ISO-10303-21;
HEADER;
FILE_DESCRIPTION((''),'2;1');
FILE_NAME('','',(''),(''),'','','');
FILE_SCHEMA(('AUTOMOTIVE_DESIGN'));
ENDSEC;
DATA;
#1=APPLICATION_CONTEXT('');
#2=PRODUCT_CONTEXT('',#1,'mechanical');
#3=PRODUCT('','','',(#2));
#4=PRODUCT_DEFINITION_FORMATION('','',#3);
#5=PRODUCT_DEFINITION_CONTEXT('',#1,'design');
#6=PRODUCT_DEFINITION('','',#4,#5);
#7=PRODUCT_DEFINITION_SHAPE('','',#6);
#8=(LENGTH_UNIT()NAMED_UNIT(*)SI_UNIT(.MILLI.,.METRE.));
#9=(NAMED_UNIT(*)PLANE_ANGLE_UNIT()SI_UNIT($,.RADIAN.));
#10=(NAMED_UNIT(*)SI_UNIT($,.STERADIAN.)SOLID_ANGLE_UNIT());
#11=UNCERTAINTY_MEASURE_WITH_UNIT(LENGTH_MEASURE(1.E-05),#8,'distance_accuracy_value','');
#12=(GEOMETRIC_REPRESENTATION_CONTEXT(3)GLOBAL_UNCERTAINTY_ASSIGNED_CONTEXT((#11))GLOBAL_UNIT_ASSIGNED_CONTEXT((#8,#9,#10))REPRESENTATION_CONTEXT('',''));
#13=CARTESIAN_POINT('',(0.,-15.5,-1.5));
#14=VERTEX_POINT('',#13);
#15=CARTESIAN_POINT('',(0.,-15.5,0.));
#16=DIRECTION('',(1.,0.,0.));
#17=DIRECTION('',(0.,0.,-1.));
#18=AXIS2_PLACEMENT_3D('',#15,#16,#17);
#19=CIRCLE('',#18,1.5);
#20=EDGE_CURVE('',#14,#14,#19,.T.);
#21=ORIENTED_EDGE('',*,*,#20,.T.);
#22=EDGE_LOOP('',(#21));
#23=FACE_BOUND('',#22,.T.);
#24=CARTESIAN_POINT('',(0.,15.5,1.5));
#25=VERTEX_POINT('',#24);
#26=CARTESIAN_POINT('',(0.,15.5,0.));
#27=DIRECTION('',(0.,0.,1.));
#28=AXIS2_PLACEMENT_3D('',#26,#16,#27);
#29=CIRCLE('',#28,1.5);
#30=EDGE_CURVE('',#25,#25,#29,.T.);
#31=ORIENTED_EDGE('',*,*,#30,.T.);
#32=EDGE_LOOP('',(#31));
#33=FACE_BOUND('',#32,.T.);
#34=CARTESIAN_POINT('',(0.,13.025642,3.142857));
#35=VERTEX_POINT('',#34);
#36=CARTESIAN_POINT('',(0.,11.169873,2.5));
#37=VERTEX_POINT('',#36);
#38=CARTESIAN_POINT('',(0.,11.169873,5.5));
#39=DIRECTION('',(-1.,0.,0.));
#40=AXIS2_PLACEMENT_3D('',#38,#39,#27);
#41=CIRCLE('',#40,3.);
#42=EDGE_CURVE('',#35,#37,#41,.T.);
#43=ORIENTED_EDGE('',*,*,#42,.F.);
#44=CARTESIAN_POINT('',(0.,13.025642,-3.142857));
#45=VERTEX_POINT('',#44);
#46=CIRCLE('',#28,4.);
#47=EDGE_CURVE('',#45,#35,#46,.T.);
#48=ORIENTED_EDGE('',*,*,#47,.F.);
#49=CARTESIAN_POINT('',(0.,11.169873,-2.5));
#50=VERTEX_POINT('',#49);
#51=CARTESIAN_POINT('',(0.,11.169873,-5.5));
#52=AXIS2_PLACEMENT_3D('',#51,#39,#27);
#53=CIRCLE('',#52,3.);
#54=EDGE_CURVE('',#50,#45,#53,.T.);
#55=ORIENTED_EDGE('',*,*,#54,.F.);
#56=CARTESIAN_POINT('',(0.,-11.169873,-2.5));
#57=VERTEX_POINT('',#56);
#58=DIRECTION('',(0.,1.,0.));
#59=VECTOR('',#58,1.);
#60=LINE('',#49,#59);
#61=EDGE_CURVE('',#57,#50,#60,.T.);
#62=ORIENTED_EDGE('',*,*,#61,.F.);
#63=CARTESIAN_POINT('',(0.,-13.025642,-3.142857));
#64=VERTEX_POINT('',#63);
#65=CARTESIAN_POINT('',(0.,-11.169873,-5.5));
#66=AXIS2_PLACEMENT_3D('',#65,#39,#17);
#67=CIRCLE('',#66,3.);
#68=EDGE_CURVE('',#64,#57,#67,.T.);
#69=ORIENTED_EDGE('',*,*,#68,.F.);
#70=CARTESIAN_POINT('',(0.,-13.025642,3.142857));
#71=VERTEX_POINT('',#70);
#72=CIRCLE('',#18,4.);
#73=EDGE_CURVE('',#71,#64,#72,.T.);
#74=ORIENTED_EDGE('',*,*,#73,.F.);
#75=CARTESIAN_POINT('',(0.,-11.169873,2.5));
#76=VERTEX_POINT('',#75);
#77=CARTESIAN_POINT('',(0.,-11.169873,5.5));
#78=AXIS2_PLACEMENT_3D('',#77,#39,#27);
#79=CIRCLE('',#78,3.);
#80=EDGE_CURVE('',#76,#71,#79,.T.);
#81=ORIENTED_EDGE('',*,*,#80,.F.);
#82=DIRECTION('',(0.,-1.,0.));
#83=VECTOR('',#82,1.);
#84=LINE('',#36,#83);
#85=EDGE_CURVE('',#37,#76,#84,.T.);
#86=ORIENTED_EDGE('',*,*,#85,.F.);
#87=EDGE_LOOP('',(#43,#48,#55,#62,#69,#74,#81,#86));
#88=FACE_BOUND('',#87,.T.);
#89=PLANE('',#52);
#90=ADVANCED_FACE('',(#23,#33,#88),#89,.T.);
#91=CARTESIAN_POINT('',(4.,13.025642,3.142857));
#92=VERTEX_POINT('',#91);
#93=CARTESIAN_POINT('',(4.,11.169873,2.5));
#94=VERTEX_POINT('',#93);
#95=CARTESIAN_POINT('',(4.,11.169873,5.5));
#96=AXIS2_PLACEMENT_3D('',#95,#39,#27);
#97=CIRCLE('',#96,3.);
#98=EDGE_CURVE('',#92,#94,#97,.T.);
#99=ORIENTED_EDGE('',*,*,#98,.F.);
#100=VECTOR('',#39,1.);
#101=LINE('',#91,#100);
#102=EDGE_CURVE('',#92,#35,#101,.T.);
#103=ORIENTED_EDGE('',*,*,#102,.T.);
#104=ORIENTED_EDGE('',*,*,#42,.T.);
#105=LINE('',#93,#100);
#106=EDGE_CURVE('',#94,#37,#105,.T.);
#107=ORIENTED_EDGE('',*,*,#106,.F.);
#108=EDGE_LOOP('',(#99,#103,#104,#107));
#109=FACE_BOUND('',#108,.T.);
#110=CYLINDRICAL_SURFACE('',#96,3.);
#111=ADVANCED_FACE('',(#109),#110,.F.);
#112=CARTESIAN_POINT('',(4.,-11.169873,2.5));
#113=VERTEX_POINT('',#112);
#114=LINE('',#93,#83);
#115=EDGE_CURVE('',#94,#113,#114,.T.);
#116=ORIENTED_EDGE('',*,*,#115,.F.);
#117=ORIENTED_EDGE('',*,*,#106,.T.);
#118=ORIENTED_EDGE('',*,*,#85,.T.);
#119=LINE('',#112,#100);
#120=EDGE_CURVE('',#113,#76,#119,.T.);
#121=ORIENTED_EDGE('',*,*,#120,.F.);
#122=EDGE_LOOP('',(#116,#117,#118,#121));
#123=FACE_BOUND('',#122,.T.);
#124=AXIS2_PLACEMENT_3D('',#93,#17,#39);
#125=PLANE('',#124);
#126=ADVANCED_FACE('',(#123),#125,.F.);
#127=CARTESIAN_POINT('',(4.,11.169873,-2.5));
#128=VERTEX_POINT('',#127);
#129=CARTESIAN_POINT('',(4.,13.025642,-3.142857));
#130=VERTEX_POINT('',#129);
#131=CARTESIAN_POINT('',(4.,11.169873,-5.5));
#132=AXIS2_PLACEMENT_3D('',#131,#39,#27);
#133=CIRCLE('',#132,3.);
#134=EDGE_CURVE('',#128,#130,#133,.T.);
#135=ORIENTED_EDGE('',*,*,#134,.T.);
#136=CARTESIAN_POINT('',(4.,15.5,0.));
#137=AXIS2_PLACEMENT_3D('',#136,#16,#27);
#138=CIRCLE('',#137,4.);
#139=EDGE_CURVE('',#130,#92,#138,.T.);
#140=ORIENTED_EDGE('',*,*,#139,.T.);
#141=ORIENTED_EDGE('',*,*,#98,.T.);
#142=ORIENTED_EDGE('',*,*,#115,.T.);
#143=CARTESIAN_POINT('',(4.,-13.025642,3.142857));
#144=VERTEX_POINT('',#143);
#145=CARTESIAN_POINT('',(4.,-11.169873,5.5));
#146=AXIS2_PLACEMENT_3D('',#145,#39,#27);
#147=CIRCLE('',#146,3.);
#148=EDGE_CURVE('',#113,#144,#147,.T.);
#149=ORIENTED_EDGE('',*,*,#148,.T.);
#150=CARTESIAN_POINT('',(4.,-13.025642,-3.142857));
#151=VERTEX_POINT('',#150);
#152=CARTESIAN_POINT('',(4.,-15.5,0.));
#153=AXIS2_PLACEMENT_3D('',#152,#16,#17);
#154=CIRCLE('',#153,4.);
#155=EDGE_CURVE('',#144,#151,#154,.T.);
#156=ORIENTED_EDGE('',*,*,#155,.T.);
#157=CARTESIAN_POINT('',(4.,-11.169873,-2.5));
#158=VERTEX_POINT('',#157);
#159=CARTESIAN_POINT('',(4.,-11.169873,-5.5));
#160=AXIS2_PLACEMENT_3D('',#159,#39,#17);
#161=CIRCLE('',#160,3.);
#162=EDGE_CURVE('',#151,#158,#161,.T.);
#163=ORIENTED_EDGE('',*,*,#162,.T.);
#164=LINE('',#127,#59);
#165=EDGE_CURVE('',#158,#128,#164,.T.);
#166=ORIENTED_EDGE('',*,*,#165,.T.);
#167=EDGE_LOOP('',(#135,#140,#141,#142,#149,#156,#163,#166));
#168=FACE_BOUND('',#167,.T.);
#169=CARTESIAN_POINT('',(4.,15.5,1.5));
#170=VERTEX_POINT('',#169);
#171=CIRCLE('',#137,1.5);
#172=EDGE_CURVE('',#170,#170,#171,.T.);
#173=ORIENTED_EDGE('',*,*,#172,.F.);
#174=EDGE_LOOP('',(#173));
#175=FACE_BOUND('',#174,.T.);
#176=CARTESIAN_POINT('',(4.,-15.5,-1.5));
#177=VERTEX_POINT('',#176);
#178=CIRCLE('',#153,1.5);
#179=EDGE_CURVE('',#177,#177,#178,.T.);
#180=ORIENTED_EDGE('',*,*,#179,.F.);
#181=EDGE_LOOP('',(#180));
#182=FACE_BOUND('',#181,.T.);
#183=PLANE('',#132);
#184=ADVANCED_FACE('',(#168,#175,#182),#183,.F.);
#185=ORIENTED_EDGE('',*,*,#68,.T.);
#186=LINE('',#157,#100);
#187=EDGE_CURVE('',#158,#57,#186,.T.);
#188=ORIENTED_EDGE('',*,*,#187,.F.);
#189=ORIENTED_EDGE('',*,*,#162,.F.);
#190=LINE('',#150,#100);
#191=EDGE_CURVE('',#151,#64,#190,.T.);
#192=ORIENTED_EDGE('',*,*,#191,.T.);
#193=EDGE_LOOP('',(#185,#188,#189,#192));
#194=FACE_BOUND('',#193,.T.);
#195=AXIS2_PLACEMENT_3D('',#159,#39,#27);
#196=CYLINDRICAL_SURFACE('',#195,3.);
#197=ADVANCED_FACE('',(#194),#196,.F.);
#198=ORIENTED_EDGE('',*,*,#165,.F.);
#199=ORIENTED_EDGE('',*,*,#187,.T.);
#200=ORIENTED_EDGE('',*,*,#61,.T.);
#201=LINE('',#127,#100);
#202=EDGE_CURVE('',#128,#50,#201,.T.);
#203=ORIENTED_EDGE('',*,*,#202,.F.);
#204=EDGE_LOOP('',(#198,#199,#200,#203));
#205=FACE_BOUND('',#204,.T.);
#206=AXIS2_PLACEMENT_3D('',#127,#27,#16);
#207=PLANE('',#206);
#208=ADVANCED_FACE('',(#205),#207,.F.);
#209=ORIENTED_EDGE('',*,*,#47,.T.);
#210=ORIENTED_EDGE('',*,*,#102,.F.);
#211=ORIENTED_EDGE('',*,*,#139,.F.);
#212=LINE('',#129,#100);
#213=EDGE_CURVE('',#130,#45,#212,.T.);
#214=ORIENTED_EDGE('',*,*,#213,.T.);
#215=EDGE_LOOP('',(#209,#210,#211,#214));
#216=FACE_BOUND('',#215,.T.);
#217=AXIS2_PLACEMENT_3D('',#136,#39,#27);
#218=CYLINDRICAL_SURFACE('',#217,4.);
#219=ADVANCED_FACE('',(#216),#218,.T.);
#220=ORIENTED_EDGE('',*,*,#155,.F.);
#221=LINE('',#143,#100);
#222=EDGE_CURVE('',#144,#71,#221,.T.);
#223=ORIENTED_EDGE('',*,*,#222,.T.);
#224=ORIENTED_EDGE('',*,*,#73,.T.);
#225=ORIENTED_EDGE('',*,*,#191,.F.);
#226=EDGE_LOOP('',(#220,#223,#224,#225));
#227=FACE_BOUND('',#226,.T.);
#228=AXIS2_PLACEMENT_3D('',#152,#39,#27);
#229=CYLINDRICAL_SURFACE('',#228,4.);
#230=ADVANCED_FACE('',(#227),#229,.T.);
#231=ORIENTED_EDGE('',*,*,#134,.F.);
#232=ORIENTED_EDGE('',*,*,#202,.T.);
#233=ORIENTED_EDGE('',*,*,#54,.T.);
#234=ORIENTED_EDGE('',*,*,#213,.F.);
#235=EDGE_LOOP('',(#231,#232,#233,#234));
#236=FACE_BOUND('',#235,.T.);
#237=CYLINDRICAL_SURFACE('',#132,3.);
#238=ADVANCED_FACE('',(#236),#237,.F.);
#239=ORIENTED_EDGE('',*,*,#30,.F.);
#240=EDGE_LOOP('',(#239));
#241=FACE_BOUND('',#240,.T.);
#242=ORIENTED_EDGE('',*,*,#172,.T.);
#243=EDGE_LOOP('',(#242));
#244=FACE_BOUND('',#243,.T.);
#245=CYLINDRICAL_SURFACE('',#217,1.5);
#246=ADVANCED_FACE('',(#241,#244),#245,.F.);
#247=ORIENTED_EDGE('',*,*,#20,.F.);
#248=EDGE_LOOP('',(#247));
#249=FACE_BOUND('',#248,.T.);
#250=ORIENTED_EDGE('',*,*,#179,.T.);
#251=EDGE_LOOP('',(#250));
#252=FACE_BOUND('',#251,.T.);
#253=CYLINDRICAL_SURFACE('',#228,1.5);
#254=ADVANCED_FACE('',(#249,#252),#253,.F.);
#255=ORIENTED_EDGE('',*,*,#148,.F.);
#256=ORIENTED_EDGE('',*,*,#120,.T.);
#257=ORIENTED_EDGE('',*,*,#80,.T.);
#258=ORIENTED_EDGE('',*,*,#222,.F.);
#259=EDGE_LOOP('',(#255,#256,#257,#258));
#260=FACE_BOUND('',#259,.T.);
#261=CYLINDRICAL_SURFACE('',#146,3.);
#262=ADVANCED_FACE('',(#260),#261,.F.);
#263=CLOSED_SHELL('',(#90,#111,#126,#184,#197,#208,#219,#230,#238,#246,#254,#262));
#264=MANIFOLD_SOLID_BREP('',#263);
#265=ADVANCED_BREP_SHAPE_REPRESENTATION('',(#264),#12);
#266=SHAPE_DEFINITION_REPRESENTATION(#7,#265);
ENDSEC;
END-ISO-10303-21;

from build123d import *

# Parameters (mm, degrees)
SKETCH1_R           = 1.5
BOSS_EXTRUDE1_DEPTH = 4


with BuildPart() as part:
    # Sketch1 → Boss-Extrude1 (new body)
    with BuildSketch(Plane.YZ):
        with BuildLine():
            Line((11.169872981, -2.5), (-11.169872981, -2.5))
            ThreePointArc((-11.169872981, -2.5), (-12.151853487, -2.665266452), (-13.025641703, -3.142857143))
            ThreePointArc((-13.025641703, -3.142857143), (-19.5, 0), (-13.025641703, 3.142857143))
            ThreePointArc((-13.025641703, 3.142857143), (-12.151853487, 2.665266452), (-11.169872981, 2.5))
            Line((-11.169872981, 2.5), (11.169872981, 2.5))
            ThreePointArc((11.169872981, 2.5), (12.151853487, 2.665266452), (13.025641703, 3.142857143))
            ThreePointArc((13.025641703, 3.142857143), (19.5, 0), (13.025641703, -3.142857143))
            ThreePointArc((13.025641703, -3.142857143), (12.151853487, -2.665266452), (11.169872981, -2.5))
        make_face()
        with Locations(Location((-15.5, 0, 0), (0, 0, 270))):
            Circle(SKETCH1_R, mode=Mode.SUBTRACT)
        with Locations(Location((15.5, 0, 0), (0, 0, 90))):
            Circle(SKETCH1_R, mode=Mode.SUBTRACT)
    extrude(amount=BOSS_EXTRUDE1_DEPTH)


solid = part.part
